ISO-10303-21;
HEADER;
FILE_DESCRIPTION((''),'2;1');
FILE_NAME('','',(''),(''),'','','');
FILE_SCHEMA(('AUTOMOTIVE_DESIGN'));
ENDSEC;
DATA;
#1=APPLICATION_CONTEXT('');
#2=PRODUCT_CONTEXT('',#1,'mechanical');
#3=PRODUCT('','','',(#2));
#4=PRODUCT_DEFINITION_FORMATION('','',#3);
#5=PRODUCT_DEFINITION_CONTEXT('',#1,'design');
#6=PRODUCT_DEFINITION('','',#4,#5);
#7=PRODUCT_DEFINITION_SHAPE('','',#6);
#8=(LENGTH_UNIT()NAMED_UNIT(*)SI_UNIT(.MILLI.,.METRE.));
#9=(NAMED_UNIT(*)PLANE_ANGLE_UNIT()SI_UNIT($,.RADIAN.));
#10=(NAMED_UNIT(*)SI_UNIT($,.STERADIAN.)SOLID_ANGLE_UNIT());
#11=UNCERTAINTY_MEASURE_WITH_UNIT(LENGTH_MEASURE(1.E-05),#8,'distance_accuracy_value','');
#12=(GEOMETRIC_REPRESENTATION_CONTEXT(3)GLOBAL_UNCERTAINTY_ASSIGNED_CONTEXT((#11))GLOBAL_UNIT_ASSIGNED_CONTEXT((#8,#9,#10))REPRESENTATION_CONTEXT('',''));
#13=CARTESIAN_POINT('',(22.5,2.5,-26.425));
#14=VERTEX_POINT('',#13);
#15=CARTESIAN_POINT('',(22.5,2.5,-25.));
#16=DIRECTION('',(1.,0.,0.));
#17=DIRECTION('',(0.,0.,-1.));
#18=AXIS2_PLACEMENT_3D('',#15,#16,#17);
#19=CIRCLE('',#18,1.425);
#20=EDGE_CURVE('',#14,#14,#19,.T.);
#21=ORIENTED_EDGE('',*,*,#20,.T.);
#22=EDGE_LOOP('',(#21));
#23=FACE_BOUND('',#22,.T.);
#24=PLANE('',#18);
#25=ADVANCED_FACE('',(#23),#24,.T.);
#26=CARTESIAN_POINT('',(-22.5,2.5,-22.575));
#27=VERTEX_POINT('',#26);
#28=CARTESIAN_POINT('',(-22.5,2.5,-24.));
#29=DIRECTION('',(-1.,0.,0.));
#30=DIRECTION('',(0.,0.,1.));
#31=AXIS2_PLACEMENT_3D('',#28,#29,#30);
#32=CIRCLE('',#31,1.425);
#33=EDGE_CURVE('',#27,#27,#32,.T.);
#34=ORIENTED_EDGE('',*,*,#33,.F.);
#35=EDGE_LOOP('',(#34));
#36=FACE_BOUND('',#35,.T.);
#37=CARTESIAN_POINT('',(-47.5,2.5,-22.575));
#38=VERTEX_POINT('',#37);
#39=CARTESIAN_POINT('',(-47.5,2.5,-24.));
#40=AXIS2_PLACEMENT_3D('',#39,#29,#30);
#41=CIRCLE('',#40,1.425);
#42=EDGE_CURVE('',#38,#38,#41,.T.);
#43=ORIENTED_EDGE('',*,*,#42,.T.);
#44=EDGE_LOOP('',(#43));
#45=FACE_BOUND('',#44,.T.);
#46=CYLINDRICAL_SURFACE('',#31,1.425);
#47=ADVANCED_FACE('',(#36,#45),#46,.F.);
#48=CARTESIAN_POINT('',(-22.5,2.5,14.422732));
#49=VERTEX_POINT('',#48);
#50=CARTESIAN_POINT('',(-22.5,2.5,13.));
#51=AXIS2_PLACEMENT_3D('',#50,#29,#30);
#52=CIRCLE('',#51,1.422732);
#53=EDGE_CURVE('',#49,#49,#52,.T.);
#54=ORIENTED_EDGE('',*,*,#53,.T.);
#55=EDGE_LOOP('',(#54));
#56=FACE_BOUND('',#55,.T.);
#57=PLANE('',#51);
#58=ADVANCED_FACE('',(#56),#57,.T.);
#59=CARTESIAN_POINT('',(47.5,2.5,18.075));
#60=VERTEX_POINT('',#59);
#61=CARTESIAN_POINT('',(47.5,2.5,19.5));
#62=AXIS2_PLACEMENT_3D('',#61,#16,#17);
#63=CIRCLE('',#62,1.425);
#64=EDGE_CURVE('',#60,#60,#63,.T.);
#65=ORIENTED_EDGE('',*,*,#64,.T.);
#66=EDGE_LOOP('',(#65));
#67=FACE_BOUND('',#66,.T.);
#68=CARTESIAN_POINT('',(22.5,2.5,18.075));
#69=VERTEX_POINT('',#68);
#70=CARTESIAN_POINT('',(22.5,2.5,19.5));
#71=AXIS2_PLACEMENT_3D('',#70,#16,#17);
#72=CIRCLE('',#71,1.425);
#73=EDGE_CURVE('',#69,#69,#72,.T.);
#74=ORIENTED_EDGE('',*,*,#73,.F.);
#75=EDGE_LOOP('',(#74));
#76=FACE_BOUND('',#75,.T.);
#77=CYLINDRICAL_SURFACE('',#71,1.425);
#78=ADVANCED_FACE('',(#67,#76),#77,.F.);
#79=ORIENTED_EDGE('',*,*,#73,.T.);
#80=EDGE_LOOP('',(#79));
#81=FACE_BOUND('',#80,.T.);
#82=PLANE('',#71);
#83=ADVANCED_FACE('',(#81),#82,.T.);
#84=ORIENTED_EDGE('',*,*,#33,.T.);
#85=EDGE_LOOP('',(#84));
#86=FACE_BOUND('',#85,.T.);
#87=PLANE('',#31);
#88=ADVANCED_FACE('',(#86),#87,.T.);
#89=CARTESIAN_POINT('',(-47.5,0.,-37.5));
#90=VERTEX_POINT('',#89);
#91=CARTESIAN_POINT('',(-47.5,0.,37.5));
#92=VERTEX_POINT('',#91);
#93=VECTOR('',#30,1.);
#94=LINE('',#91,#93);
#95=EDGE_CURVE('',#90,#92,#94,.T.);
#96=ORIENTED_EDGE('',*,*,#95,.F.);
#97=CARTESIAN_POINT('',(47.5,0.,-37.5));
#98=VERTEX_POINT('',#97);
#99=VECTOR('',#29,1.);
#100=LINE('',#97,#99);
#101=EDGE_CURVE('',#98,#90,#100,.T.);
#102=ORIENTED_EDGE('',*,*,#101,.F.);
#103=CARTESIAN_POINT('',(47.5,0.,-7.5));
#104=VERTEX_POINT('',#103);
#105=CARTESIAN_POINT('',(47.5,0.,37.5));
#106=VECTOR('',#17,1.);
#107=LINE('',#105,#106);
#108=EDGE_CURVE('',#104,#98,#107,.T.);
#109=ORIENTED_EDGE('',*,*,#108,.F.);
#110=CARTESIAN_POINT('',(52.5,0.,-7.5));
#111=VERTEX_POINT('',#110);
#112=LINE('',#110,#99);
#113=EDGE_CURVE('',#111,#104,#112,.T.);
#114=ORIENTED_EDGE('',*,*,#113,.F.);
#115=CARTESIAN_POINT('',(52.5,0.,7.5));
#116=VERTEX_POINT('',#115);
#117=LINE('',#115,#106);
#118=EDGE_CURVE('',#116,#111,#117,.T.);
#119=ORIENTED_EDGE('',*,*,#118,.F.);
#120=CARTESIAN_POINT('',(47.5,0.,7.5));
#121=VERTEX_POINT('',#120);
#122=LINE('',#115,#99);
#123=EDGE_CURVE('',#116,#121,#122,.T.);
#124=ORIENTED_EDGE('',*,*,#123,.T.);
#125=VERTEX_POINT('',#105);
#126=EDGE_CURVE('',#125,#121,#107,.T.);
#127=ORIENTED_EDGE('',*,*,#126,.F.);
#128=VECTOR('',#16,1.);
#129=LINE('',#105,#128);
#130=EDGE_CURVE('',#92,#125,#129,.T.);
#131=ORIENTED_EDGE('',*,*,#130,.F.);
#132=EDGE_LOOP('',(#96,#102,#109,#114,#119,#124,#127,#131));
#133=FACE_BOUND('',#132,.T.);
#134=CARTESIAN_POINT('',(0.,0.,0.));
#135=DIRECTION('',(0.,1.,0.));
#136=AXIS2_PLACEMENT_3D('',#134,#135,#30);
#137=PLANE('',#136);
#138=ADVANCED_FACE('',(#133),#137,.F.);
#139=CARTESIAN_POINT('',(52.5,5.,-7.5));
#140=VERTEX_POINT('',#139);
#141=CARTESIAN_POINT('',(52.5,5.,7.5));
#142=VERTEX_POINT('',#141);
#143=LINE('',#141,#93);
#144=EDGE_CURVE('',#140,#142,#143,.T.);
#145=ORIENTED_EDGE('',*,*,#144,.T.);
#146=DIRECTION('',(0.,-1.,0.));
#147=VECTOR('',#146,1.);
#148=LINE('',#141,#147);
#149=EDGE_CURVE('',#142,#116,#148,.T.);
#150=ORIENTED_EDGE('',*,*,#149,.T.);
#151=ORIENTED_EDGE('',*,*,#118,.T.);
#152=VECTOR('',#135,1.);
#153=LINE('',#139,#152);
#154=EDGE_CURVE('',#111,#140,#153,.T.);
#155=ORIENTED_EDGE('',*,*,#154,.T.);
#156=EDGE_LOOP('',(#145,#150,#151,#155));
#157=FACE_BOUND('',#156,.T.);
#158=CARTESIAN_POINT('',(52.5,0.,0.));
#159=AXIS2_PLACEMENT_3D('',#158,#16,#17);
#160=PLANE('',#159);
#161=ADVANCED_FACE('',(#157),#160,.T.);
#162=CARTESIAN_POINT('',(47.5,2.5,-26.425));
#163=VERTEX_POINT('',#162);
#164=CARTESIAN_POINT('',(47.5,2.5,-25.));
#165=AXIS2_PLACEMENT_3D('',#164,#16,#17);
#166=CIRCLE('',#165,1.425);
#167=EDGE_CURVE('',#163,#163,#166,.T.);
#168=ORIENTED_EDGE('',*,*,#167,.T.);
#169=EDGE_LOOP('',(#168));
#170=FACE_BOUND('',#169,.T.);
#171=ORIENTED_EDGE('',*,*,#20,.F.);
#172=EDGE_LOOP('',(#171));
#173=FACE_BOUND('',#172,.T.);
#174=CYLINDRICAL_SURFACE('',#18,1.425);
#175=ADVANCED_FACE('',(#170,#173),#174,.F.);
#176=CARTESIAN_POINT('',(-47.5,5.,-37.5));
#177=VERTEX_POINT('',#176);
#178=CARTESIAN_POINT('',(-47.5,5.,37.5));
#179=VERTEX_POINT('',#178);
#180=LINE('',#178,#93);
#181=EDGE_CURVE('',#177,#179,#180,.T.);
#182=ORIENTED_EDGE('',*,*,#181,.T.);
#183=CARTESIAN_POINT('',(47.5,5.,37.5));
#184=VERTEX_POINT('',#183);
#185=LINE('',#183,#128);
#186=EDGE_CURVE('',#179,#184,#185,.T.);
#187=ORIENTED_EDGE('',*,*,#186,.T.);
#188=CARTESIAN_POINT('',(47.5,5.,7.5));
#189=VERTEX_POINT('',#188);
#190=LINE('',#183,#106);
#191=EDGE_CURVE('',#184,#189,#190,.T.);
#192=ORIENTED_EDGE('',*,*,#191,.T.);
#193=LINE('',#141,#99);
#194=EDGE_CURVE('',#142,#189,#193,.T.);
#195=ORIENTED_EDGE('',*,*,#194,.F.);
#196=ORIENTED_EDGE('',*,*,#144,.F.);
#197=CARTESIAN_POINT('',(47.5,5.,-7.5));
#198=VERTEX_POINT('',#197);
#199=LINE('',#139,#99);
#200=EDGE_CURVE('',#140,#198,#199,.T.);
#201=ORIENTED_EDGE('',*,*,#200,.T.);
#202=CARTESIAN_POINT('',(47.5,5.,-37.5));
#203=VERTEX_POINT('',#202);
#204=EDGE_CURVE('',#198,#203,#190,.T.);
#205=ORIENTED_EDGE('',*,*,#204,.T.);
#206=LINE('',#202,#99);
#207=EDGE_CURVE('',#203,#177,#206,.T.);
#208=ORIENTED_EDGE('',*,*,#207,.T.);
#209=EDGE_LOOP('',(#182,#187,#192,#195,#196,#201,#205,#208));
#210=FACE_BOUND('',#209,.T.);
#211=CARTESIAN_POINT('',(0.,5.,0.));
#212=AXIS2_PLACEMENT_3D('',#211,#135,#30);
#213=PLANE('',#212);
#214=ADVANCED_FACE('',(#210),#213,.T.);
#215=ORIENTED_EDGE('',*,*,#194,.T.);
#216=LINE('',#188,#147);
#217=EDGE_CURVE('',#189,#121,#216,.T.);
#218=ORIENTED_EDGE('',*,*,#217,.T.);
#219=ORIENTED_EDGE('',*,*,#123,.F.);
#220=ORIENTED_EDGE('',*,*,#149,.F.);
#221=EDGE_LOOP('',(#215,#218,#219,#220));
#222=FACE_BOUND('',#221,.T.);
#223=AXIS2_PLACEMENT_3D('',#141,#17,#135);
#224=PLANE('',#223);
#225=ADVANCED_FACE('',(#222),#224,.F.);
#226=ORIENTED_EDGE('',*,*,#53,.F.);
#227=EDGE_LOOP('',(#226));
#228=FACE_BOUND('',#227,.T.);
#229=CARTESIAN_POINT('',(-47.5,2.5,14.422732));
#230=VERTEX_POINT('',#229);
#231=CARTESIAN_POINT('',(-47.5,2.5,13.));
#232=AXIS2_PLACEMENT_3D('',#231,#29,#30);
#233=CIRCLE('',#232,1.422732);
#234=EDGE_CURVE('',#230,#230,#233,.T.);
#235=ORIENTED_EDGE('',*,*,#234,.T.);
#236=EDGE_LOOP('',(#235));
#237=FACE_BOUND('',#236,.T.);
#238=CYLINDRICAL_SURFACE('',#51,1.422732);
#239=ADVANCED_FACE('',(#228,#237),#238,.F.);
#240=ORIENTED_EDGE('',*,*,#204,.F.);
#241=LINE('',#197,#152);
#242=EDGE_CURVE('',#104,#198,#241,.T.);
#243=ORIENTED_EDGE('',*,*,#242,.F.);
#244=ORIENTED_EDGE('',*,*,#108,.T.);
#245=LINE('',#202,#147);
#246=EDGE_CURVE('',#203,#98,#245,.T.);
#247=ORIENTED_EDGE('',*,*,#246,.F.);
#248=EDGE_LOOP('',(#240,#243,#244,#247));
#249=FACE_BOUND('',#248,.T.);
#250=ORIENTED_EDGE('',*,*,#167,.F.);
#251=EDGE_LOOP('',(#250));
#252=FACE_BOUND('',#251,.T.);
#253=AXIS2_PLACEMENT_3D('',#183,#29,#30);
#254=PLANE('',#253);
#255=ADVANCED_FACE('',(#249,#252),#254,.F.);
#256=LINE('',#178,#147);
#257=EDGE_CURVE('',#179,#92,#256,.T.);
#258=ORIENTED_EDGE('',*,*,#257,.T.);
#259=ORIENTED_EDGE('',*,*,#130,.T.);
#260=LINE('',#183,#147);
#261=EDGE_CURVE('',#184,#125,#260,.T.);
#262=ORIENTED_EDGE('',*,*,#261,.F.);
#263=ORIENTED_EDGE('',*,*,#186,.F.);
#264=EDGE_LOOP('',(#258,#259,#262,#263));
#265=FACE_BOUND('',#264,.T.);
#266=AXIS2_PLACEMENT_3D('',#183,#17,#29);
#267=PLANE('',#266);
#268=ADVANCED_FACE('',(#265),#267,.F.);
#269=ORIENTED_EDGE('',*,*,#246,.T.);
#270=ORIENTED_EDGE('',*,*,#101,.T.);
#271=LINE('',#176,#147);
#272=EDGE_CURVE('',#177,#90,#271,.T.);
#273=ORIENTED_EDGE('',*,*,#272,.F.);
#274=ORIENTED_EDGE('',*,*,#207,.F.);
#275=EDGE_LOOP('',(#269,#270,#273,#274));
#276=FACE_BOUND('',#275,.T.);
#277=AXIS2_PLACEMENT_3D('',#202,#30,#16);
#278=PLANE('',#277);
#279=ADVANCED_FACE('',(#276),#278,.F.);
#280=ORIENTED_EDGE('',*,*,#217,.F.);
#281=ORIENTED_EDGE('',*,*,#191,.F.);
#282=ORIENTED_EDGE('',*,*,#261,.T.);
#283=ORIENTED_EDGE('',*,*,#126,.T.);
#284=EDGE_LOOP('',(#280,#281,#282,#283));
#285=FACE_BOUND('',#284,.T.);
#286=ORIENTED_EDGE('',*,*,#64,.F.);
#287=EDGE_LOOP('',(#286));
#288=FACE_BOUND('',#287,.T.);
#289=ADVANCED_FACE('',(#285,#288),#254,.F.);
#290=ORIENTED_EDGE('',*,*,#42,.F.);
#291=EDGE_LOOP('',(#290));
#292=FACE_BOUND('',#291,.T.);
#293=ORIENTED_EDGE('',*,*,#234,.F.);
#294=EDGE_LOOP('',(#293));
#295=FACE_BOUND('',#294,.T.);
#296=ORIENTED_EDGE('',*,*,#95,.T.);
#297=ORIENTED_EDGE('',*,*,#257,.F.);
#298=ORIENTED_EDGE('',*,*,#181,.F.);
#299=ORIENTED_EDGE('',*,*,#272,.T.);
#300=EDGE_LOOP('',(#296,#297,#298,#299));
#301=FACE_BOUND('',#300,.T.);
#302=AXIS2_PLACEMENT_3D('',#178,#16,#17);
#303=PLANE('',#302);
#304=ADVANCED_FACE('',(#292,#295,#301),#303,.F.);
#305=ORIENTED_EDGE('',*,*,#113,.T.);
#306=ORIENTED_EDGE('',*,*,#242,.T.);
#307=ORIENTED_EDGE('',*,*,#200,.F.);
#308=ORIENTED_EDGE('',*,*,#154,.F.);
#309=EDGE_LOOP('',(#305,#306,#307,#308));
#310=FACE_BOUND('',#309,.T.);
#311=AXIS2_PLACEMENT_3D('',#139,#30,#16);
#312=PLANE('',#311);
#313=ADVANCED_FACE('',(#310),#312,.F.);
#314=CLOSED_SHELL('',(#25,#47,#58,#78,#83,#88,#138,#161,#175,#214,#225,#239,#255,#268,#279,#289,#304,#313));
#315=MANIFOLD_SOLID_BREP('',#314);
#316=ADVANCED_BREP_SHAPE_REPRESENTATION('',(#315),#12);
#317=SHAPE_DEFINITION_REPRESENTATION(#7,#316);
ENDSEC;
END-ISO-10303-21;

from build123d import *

# Parameters (mm, degrees)
SKETCH1_W           = 95
SKETCH1_H           = 75
BOSS_EXTRUDE1_DEPTH = 5
SKETCH3_W           = 15
SKETCH3_H           = 5
BOSS_EXTRUDE2_DEPTH = 5
SKETCH4_R           = 1.425
SKETCH4_R_2         = 1.422731811
CUT_EXTRUDE1_DEPTH  = 25
SKETCH5_R           = 1.425
CUT_EXTRUDE2_DEPTH  = 25
SKETCH6_R           = 1.425
CUT_EXTRUDE3_DEPTH  = 25


with BuildPart() as part:
    # Sketch1 → Boss-Extrude1 (new body)
    with BuildSketch(Plane(origin=(0, 0, 0), x_dir=(1, 0, 0), z_dir=(0, 1, 0))):
        Rectangle(SKETCH1_W, SKETCH1_H)
    extrude(amount=BOSS_EXTRUDE1_DEPTH)

    # Sketch3 → Boss-Extrude2 (add)
    with BuildSketch(Plane(origin=(47.5, 0, 0), x_dir=(0, 0, -1), z_dir=(1, 0, 0))):
        with Locations((0, 2.5)):
            Rectangle(SKETCH3_W, SKETCH3_H)
    extrude(amount=BOSS_EXTRUDE2_DEPTH)

    # Sketch4 → Cut-Extrude1 (cut)
    with BuildSketch(Plane.ZY.offset(47.5)):
        with Locations((-24, 2.5)):
            Circle(SKETCH4_R)
        with Locations((13, 2.5)):
            Circle(SKETCH4_R_2)
    extrude(amount=-CUT_EXTRUDE1_DEPTH, mode=Mode.SUBTRACT)

    # Sketch5 → Cut-Extrude2 (cut)
    with BuildSketch(Plane(origin=(47.5, 0, 0), x_dir=(0, 0, -1), z_dir=(1, 0, 0))):
        with Locations((-19.5, 2.5)):
            Circle(SKETCH5_R)
    extrude(amount=-CUT_EXTRUDE2_DEPTH, mode=Mode.SUBTRACT)

    # Sketch6 → Cut-Extrude3 (cut)
    with BuildSketch(Plane(origin=(47.5, 0, 0), x_dir=(0, 0, -1), z_dir=(1, 0, 0))):
        with Locations((25, 2.5)):
            Circle(SKETCH6_R)
    extrude(amount=-CUT_EXTRUDE3_DEPTH, mode=Mode.SUBTRACT)


solid = part.part
